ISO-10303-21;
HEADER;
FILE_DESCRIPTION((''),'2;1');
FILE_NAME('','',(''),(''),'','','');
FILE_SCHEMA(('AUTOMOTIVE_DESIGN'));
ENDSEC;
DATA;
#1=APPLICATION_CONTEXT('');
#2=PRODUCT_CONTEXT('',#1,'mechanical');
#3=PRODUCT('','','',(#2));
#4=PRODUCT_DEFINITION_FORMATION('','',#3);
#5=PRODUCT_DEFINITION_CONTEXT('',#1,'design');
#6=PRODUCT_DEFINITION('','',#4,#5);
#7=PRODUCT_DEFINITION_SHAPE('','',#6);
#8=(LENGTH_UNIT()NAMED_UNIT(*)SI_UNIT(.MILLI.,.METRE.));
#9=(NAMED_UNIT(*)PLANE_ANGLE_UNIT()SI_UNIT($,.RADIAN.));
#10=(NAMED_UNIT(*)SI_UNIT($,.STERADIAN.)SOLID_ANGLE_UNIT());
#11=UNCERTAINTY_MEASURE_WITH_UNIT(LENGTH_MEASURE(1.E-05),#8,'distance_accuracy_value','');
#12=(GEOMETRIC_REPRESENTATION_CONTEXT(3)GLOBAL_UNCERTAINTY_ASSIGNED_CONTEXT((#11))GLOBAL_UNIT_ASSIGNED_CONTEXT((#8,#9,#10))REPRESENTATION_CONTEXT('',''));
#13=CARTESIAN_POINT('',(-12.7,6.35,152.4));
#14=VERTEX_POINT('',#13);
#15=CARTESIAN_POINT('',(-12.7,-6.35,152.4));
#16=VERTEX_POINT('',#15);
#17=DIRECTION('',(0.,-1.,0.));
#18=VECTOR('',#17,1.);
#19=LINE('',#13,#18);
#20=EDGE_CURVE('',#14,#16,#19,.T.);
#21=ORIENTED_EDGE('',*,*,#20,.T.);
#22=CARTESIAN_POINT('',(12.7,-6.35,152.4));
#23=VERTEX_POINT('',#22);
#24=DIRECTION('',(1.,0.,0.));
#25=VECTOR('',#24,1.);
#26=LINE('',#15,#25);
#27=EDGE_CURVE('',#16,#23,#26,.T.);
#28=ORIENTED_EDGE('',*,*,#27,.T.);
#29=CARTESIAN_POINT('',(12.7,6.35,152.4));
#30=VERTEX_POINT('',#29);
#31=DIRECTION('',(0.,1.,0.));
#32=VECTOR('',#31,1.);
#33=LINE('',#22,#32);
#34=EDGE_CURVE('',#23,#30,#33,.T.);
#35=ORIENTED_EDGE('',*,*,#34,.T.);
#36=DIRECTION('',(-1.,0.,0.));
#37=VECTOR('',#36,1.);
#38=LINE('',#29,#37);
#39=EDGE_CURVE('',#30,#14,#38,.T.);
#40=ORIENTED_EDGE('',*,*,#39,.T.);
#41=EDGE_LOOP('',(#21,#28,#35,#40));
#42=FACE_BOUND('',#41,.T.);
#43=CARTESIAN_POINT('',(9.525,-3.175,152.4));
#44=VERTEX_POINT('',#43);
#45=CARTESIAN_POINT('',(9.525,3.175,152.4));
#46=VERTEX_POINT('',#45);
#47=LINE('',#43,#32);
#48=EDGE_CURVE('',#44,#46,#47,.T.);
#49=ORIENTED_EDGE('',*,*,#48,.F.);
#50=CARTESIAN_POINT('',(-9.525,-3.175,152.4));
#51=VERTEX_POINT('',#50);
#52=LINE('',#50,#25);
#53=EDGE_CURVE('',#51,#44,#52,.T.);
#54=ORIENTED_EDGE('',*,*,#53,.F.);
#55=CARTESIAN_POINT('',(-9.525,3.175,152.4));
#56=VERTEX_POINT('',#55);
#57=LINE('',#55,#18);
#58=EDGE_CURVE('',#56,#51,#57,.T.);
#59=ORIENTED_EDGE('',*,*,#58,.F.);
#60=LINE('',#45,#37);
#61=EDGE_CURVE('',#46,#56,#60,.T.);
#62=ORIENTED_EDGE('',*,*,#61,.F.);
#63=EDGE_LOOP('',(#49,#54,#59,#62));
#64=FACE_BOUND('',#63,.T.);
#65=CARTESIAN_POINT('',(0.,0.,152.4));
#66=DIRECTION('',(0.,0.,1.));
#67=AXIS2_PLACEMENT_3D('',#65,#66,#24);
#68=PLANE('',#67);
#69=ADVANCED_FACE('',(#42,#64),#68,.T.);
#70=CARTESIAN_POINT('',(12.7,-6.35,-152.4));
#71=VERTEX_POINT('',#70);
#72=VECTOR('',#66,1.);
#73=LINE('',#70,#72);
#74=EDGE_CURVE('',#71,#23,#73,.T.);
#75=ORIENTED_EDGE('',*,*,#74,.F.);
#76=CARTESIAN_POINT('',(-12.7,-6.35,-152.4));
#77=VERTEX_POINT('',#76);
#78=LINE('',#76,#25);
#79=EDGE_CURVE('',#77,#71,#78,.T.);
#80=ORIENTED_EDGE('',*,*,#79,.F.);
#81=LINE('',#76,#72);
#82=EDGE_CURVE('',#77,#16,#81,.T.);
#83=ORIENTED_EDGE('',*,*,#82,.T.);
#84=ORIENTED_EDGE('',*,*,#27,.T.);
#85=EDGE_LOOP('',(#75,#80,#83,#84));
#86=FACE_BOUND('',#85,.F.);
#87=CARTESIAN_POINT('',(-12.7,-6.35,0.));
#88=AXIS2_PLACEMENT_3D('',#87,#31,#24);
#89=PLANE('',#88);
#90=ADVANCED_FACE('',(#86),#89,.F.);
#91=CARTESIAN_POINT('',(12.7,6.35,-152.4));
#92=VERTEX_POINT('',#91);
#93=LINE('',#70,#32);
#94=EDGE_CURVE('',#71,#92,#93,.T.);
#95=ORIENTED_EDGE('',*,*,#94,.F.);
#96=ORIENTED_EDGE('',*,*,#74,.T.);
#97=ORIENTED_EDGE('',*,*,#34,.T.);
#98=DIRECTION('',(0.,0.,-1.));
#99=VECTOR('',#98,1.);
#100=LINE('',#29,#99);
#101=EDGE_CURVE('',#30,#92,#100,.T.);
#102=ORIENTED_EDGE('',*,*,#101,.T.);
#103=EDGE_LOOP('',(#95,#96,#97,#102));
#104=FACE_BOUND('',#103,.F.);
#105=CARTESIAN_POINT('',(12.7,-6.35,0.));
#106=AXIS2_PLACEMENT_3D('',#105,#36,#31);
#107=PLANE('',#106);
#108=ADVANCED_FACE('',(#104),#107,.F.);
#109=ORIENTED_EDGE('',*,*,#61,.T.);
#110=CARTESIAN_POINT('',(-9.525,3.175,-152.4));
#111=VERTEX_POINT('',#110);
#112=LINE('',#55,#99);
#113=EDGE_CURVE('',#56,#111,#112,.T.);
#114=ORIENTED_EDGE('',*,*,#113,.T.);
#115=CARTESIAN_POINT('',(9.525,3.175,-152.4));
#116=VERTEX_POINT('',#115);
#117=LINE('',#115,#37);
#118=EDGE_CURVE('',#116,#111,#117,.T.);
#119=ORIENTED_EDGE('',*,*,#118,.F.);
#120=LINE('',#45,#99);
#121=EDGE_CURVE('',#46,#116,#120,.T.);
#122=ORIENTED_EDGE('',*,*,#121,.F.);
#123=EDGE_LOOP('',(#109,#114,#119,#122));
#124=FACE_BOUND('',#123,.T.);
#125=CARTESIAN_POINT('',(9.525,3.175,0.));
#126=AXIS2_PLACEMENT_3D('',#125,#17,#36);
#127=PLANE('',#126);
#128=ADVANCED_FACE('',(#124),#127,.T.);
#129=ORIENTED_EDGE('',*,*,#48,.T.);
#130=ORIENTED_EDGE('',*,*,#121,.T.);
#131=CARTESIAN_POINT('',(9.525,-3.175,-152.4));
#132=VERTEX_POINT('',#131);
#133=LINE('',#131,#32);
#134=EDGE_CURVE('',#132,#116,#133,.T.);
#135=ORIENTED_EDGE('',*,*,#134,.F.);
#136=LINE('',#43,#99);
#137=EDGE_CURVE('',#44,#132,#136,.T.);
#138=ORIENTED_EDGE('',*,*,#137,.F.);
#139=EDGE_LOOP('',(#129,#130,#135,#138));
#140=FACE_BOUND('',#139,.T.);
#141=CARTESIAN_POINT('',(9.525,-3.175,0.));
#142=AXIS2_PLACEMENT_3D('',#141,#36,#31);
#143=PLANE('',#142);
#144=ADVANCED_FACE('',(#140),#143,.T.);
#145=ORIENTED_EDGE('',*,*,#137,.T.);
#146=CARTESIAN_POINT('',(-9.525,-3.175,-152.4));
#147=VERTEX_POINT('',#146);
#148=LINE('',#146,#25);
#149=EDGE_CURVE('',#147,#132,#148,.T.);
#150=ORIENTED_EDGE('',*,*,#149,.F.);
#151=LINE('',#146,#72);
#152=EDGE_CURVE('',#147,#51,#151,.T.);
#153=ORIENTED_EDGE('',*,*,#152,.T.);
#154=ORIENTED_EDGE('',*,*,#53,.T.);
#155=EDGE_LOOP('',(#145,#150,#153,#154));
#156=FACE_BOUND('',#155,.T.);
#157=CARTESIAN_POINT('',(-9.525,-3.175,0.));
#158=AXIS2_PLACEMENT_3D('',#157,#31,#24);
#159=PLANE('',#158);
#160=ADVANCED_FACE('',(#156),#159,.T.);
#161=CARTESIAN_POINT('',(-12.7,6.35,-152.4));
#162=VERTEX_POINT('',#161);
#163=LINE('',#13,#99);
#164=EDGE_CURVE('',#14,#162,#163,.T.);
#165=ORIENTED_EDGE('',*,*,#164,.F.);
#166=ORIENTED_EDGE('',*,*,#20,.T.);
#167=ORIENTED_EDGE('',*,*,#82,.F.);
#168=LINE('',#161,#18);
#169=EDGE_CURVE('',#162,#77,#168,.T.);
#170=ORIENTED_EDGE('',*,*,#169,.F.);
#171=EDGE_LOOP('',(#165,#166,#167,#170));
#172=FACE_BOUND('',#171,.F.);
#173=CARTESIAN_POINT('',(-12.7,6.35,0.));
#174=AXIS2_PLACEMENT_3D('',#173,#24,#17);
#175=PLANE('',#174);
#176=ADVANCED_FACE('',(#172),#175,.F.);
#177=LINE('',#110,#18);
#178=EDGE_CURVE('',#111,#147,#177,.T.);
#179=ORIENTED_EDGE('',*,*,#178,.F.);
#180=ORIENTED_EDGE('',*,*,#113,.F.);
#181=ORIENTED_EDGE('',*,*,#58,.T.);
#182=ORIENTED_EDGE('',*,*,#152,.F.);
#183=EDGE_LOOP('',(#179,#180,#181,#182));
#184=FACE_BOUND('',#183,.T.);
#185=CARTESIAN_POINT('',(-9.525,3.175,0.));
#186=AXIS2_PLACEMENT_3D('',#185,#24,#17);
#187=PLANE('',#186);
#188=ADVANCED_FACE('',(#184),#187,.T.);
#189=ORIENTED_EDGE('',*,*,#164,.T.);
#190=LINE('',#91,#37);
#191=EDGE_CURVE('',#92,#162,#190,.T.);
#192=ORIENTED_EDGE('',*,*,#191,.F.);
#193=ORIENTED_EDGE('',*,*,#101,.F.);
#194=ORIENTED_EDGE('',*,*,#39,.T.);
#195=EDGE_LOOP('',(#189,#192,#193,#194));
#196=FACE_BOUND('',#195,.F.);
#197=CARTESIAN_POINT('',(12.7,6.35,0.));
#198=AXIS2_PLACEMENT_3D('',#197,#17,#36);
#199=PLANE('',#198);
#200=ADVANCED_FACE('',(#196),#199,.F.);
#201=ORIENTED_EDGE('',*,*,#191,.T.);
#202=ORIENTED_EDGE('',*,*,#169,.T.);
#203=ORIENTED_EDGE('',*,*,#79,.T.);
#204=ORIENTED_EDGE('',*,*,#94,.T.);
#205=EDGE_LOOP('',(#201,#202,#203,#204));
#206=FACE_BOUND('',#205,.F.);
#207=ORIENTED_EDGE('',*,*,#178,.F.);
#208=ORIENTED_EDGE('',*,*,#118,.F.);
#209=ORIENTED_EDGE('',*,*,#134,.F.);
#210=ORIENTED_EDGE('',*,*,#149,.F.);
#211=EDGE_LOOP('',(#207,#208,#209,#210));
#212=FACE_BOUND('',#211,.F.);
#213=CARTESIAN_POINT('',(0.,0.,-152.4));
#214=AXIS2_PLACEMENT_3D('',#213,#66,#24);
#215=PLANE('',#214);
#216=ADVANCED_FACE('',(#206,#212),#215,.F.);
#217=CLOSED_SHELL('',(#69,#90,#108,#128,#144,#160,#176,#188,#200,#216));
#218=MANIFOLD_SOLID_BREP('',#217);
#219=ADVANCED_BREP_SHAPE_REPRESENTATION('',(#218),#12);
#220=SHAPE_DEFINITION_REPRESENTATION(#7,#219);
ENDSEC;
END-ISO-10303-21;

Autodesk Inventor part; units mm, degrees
ref_plane "YZ Plane" through (0, 0, 0) normal (1, 0, 0) x (0, 1, 0)
ref_plane "XZ Plane" through (0, 0, 0) normal (0, 1, 0) x (-1, 0, 0)
ref_plane "XY Plane" through (0, 0, 0) normal (0, 0, 1) x (1, 0, 0)
sketch "Sketch1" plane through (0, 0, 0) normal (0, 0, 1) x (1, 0, 0)
  line L0 (-12.7, -6.35) -> (12.7, -6.35)
  line L1 (12.7, -6.35) -> (12.7, 6.35)
  line L2 (12.7, 6.35) -> (-12.7, 6.35)
  line L3 (-12.7, 6.35) -> (-12.7, -6.35)
  line L4 (-12.7, -6.35) -> (12.7, 6.35) construction
  line L5 (12.7, -6.35) -> (-12.7, 6.35) construction
  line L6 (-9.525, -3.175) -> (9.525, -3.175)
  line L7 (9.525, -3.175) -> (9.525, 3.175)
  line L8 (9.525, 3.175) -> (-9.525, 3.175)
  line L9 (-9.525, 3.175) -> (-9.525, -3.175)
  line L10 (-9.525, -3.175) -> (9.525, 3.175) construction
  line L11 (9.525, -3.175) -> (-9.525, 3.175) construction
  point P0 (0, 0)
  dimension "d0" = 25.4
  dimension "d1" = 12.7
  dimension "d2" = 3.175
  dimension "d3" = 3.175
extrude "Extrusion1" add sketch "Sketch1" along normal mid plane 304.8
properties part number "0_5-spacerForBackSide" material "Aluminum 6061, Welded"
